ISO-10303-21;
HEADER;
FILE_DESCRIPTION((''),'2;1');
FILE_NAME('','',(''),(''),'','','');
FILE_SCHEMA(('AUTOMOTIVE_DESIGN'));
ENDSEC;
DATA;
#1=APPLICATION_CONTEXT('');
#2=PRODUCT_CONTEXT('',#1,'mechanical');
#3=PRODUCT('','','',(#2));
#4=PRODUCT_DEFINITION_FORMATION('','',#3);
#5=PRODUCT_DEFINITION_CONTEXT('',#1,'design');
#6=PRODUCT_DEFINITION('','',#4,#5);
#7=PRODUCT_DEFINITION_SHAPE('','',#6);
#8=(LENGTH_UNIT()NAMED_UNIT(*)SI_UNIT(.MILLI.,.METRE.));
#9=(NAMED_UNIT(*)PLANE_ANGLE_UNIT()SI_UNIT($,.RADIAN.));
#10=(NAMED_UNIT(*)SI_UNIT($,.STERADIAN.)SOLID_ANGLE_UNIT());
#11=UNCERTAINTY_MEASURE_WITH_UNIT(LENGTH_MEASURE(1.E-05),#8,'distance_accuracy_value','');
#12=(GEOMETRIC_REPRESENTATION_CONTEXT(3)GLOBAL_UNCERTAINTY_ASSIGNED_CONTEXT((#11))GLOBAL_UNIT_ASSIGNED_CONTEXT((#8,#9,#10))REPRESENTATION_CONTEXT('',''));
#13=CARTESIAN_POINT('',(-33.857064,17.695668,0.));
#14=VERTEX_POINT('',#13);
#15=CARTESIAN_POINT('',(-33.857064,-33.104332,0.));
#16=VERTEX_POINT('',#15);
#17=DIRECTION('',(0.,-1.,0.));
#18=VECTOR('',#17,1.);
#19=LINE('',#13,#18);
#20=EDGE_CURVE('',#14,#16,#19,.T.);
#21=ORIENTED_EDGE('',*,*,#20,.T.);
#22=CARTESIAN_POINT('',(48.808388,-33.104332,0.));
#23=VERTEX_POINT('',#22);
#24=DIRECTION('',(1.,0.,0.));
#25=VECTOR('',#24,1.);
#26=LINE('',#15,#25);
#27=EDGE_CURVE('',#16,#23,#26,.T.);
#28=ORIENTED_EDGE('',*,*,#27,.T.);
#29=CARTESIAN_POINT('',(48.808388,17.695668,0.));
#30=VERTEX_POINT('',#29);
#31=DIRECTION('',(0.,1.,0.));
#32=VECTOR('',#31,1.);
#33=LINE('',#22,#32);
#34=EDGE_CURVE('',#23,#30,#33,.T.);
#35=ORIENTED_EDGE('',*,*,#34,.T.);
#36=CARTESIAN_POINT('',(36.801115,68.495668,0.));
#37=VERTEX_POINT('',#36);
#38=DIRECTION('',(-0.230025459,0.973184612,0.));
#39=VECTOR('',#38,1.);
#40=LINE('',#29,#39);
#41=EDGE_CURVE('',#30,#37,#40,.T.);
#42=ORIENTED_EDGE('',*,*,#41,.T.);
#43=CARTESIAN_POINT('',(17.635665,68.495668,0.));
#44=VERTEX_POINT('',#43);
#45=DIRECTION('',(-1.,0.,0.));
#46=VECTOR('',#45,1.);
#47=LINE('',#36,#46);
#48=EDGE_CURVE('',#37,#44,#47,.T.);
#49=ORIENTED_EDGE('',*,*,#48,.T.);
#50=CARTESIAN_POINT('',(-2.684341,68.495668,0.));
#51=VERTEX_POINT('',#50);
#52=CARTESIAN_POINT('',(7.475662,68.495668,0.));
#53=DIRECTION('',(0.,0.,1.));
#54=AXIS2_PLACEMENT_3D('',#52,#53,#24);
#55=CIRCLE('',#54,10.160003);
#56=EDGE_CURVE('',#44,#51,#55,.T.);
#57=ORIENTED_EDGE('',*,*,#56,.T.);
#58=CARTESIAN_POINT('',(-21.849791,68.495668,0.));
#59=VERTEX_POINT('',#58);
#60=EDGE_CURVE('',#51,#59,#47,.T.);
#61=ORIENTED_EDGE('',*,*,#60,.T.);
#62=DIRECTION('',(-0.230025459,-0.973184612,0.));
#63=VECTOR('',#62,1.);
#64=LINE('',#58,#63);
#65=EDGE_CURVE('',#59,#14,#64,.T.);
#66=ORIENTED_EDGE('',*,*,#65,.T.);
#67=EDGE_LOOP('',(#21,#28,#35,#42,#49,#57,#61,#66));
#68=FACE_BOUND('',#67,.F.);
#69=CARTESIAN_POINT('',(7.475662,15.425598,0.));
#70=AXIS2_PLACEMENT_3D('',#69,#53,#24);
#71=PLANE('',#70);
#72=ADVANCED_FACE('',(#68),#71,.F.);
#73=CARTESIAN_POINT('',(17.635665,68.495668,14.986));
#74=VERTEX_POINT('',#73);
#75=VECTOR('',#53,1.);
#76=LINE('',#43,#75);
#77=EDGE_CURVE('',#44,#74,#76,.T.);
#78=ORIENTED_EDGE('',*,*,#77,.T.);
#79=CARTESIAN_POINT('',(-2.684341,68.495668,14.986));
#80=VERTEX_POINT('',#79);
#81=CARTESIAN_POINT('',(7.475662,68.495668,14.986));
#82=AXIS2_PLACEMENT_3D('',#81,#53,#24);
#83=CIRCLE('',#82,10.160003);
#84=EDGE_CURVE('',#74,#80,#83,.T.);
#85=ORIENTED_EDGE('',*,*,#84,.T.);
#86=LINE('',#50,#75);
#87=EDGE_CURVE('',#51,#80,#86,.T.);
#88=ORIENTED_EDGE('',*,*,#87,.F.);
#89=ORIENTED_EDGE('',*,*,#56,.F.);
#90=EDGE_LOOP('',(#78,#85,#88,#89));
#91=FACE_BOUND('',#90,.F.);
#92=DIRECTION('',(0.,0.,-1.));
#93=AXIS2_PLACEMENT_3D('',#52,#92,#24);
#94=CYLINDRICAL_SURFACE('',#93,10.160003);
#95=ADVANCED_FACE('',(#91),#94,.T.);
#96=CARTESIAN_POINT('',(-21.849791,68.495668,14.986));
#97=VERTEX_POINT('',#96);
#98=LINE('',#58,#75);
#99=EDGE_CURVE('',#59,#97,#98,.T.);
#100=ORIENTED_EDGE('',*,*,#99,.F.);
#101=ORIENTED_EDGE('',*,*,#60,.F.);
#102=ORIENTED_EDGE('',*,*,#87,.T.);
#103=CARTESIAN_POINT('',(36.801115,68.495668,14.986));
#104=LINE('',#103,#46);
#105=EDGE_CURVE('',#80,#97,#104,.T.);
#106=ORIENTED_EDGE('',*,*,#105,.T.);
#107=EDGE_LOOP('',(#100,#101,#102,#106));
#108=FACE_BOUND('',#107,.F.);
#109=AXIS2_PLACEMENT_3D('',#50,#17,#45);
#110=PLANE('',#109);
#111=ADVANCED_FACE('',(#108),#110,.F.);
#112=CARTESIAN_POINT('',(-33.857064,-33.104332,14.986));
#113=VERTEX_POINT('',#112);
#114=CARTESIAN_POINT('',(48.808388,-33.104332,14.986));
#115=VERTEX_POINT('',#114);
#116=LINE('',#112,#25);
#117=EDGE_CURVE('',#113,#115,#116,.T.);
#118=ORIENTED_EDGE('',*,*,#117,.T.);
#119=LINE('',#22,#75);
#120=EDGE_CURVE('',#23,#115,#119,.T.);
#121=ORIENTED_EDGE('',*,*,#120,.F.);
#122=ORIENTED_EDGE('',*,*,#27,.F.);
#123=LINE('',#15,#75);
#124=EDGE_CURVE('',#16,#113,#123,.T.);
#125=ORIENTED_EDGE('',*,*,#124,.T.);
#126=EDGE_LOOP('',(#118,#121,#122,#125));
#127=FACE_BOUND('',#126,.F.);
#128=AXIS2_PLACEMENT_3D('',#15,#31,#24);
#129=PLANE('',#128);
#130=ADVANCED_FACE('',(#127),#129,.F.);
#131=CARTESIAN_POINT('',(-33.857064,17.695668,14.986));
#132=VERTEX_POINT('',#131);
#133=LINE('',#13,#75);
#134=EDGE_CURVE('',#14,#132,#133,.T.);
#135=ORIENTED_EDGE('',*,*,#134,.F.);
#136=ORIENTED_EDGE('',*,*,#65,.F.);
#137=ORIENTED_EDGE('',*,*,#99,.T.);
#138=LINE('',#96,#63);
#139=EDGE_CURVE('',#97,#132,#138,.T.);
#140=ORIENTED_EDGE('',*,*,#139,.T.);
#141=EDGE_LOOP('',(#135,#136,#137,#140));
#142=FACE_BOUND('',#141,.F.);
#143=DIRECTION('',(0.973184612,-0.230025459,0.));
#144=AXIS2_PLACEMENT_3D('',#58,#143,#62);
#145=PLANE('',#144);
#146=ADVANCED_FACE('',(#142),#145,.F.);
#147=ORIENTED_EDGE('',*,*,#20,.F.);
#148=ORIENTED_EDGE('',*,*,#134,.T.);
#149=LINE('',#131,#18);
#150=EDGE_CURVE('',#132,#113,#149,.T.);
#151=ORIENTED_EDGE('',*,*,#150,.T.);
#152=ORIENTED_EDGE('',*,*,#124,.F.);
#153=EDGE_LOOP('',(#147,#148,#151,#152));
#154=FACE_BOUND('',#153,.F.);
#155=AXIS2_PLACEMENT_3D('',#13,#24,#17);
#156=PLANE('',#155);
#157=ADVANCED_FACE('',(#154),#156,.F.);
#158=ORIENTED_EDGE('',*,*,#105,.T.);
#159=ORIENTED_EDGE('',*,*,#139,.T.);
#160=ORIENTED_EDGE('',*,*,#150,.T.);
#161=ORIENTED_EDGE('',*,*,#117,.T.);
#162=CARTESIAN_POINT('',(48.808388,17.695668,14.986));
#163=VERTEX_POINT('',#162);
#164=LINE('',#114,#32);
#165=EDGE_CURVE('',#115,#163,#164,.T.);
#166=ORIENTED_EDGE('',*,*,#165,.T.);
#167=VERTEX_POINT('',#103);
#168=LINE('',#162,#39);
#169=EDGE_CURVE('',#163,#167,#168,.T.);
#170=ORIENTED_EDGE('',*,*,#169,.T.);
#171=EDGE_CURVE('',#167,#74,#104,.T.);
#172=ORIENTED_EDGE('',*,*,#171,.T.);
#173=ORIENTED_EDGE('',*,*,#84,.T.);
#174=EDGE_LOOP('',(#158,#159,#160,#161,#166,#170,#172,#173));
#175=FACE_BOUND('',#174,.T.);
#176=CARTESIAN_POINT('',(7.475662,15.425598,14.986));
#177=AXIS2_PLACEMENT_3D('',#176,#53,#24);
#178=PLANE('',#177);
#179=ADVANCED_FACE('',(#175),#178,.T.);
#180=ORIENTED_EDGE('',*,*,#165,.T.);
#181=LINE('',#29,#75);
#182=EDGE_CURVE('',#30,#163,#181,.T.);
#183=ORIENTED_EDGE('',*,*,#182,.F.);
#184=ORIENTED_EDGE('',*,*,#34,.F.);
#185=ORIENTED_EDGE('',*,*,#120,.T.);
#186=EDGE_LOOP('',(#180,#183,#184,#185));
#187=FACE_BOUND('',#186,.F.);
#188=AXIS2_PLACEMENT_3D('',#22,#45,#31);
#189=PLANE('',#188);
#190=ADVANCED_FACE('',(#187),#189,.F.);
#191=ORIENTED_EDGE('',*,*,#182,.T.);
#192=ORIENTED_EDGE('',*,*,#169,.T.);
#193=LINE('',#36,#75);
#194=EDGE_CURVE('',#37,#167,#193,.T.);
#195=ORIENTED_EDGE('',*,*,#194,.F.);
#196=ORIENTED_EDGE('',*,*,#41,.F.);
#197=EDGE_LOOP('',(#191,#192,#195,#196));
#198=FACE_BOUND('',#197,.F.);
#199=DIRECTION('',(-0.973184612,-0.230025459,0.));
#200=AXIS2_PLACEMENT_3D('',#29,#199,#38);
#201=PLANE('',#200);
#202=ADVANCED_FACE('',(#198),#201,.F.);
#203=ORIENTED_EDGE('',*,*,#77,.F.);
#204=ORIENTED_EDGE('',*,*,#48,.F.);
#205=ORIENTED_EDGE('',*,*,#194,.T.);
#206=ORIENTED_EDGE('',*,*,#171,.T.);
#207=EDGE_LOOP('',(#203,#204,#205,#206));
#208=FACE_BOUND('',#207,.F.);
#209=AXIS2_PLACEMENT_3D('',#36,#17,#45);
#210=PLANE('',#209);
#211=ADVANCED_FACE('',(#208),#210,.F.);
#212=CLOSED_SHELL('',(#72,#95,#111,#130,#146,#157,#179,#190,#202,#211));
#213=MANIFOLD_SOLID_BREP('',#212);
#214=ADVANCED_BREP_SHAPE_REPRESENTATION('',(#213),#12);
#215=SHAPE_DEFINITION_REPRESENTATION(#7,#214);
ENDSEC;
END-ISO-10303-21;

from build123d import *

# Parameters (mm, degrees)
F1_DEPTH = 14.986


with BuildPart() as f1:
    # F0 (on Top) → F1 (new body)
    with BuildSketch(Plane.XY):
        with BuildLine():
            Line((-33.8570637468, 17.6956683332), (-33.8570637468, -33.1043316668))
            Line((-33.8570637468, -33.1043316668), (48.8083878372, -33.1043316668))
            Line((48.8083878372, -33.1043316668), (48.8083878372, 17.6956683332))
            Line((48.8083878372, 17.6956683332), (36.8011148317, 68.4956683332))
            Line((36.8011148317, 68.4956683332), (17.6356646141, 68.4956683332))
            ThreePointArc((17.6356646141, 68.4956683332), (7.4756620452, 58.3356657643), (-2.6843405237, 68.4956683332))
            Line((-2.6843405237, 68.4956683332), (-21.8497907413, 68.4956683332))
            Line((-21.8497907413, 68.4956683332), (-33.8570637468, 17.6956683332))
        make_face()
        with BuildLine():
            Line((17.6356646141, 68.4956683332), (-2.6843405237, 68.4956683332))
            ThreePointArc((-2.6843405237, 68.4956683332), (7.4756620452, 58.3356657643), (17.6356646141, 68.4956683332))
        make_face()
        with BuildLine():
            ThreePointArc((17.6356646141, 68.4956683332), (7.4756620452, 78.6556709021), (-2.6843405237, 68.4956683332))
            Line((-2.6843405237, 68.4956683332), (17.6356646141, 68.4956683332))
        make_face()
    extrude(amount=F1_DEPTH)


solid = f1.part
